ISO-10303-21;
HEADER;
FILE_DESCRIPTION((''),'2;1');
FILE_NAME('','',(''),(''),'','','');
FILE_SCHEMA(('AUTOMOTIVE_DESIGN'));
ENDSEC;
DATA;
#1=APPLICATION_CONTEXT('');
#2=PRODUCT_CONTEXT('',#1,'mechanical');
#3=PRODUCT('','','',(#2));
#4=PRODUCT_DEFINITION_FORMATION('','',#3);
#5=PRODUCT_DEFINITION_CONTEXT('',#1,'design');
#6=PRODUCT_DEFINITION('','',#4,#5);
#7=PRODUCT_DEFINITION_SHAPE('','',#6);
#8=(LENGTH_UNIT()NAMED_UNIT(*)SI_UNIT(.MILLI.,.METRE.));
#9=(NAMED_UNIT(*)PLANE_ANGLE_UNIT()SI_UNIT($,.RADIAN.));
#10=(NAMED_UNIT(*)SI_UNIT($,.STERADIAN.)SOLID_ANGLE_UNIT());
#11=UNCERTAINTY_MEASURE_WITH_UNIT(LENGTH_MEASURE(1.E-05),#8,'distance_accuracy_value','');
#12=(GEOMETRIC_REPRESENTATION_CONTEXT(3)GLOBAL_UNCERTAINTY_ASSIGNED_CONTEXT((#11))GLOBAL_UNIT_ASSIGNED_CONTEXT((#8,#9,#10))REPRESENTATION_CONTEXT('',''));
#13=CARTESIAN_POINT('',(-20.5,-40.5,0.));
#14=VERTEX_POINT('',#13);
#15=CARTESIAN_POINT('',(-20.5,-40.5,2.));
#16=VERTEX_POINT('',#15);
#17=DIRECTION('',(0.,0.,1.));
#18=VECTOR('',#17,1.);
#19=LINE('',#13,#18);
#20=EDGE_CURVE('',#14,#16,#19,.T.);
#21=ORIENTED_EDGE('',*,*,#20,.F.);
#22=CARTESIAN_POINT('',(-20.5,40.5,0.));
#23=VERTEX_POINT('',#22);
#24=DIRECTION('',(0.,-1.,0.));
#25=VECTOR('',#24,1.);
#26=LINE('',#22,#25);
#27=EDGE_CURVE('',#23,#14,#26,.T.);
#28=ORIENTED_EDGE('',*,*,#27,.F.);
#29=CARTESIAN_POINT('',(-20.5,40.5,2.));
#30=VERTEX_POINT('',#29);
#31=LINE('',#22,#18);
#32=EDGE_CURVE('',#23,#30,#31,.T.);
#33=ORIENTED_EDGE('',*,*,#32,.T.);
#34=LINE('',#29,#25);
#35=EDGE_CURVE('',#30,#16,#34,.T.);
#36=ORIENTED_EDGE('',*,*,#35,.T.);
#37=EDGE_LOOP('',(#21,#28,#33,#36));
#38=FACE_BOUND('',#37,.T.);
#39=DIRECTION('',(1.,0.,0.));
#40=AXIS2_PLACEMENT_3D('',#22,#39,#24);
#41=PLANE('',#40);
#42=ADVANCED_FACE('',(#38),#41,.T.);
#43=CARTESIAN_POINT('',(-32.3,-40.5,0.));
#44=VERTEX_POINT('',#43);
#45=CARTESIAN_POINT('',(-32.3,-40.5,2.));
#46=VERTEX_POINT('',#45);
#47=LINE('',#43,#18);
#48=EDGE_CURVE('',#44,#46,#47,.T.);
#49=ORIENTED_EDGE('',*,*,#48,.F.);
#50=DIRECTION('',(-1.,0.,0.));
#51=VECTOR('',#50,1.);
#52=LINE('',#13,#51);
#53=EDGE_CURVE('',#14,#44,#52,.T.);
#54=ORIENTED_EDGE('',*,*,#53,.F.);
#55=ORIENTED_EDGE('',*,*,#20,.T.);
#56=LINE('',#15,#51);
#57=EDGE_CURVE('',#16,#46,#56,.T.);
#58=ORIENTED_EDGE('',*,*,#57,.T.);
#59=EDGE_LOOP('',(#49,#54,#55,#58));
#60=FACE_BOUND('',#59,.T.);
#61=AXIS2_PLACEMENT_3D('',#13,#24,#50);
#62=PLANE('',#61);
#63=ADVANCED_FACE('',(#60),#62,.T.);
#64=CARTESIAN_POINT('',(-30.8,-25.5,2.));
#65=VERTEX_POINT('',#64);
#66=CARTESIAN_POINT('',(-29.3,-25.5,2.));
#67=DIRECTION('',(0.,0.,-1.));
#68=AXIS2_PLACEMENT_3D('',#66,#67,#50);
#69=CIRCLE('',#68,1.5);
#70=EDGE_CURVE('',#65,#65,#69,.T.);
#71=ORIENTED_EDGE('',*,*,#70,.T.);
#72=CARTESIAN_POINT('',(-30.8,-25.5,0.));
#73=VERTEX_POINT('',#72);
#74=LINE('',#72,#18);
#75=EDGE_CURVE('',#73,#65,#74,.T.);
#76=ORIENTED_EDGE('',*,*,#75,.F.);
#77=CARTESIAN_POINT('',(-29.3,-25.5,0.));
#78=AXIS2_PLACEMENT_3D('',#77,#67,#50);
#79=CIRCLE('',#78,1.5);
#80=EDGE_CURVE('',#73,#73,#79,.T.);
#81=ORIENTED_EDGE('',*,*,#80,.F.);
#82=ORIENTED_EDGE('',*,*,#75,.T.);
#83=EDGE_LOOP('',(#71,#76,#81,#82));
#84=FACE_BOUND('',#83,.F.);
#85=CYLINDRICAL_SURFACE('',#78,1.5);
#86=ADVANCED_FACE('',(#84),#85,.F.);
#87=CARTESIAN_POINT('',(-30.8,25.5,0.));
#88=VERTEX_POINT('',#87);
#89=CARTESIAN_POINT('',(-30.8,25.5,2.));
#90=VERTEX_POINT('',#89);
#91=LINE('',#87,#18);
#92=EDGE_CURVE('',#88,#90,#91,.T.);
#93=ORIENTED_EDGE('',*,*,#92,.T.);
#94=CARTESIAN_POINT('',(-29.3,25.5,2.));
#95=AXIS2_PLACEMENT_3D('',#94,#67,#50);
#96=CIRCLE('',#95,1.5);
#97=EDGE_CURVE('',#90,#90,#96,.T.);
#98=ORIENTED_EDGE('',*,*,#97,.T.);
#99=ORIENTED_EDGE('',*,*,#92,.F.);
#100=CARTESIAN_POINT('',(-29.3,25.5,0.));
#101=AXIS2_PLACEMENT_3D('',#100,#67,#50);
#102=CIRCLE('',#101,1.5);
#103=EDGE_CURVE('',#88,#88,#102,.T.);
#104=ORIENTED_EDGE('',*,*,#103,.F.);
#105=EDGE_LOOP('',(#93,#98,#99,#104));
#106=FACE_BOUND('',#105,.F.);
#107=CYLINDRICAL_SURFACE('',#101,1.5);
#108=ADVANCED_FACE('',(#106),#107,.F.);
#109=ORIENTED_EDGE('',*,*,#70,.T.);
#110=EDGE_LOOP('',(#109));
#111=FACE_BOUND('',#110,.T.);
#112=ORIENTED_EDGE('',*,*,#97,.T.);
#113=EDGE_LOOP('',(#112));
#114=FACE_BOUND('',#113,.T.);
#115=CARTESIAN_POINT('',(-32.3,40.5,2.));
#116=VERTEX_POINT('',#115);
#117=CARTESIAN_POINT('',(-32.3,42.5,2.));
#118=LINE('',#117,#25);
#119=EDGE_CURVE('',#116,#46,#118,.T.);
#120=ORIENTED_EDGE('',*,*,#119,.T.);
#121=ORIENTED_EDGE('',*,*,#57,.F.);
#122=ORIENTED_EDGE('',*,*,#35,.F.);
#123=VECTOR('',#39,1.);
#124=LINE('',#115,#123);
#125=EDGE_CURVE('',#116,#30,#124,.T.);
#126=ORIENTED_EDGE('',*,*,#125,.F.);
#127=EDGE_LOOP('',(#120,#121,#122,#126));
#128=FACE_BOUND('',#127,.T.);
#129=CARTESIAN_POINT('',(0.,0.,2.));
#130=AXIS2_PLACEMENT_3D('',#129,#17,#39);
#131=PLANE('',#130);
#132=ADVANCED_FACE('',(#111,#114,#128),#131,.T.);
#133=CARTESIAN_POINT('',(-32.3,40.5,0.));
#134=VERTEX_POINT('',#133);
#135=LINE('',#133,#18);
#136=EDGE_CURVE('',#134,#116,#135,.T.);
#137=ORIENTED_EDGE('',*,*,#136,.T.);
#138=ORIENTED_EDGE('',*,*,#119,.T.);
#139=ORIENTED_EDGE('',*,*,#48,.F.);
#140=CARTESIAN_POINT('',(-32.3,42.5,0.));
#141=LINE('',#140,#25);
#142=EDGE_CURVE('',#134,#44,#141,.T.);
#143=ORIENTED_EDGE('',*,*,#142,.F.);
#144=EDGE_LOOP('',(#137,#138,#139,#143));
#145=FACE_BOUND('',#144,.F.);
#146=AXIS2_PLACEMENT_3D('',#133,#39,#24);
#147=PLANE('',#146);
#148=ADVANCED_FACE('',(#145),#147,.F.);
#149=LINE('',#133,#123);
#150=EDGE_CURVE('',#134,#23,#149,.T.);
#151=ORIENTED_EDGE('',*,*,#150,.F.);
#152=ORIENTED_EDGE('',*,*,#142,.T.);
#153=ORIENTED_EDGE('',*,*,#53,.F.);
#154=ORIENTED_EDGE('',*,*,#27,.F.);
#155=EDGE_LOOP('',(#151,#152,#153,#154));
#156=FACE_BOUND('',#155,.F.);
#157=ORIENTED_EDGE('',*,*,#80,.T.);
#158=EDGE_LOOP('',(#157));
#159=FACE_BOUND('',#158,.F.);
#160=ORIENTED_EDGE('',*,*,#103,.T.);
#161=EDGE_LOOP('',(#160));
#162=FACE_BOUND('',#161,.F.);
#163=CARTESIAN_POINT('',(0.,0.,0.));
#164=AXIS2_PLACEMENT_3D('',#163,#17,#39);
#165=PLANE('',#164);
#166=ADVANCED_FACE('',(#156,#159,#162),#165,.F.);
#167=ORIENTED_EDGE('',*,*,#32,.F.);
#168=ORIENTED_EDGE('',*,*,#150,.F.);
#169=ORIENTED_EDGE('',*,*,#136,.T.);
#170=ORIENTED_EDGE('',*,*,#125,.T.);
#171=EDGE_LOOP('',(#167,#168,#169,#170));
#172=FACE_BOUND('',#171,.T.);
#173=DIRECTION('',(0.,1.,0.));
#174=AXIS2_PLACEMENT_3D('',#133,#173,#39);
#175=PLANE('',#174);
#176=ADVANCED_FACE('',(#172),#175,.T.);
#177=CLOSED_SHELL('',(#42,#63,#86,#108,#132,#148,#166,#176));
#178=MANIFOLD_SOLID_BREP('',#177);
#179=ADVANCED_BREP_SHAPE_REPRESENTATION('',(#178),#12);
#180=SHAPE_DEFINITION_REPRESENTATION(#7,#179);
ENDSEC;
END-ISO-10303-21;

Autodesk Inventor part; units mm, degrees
ref_plane "YZ Plane" through (0, 0, 0) normal (1, 0, 0) x (0, 1, 0)
ref_plane "XZ Plane" through (0, 0, 0) normal (0, 1, 0) x (-1, 0, 0)
ref_plane "XY Plane" through (0, 0, 0) normal (0, 0, 1) x (1, 0, 0)
sketch "Эскиз1" plane through (0, 0, 0) normal (0, 0, 1) x (1, 0, 0)
  line L0 (20.5, 40.5) -> (-20.5, 40.5)
  line L1 (-20.5, 40.5) -> (-20.5, -40.5)
  line L2 (-20.5, -40.5) -> (20.5, -40.5)
  line L3 (20.5, -40.5) -> (20.5, 40.5)
  line L4 (20.5, 40.5) -> (-20.5, -40.5) construction
  line L5 (-20.5, 40.5) -> (20.5, -40.5) construction
  line L6 (32.3, 42.5) -> (-32.3, 42.5)
  line L7 (-32.3, 42.5) -> (-32.3, -42.5)
  line L8 (-32.3, -42.5) -> (32.3, -42.5)
  line L9 (32.3, -42.5) -> (32.3, 42.5)
  line L10 (32.3, 42.5) -> (-32.3, -42.5) construction
  line L11 (-32.3, 42.5) -> (32.3, -42.5) construction
  line L12 (32.3, -42.5) -> (-32.3, -42.5)
  line L13 (-32.3, -42.5) -> (-32.3, 43.7)
  line L14 (-32.3, 43.7) -> (32.3, 43.7)
  line L15 (32.3, 43.7) -> (32.3, -42.5)
  line L16 (-20.5, -40.5) -> (-32.3, -40.5)
  line L17 (-32.3, -40.5) -> (-32.3, 40.5)
  line L18 (-32.3, 40.5) -> (-20.5, 40.5)
  line L19 (-20.5, 40.5) -> (-20.5, -40.5)
  point P0 (0, 0)
  dimension "d0" = 41
  dimension "d1" = 81
  dimension "d2" = 64.6
  dimension "d3" = 85
  dimension "d5" = 86.2
extrude "Пластина1" add sketch "Эскиз1" along normal blind 2 contours L1 L16 L7 L18
sketch "Эскиз2" plane through (0, 0, 0) normal (0, 0, -1) x (-1, 0, 0)
  circle A0 centre (29.3, 30.5) radius 1.45 projected
  circle A1 centre (29.3, -30.5) radius 1.45 projected
  circle A2 centre (29.3, 25.5) radius 1.6 projected
  circle A3 centre (29.3, -25.5) radius 1.6 projected
  circle A4 centre (29.3, 25.5) radius 1.5
  circle A5 centre (29.3, -25.5) radius 1.5
  point P0 (0, 0)
  dimension "d10" = 3
  dimension "d11" = 3
extrude "Вырез1" cut sketch "Эскиз2" against normal blind 2 contours A4 | A5
equation "\"d8\" = Толщина"
equation "\"d4\" = Толщина"
equation "\"Радиус_гибки\" = Толщина"
equation "\"Ширина_просечки\" = Толщина"
equation "\"Глубина_просечки\" = 0.5 * Толщина"
equation "\"Размер_просечки\" = 4 * Толщина"
equation "\"Мин_остаток\" = 2 * Толщина"
equation "\"Радиус_перехода\" = Радиус_гибки"
equation "\"Радиус_Якоби\" = Радиус_гибки"
equation "\"Размер_зазора\" = Толщина"
equation "\"Толщина\" = 2"
properties part number "akkum_plate"
